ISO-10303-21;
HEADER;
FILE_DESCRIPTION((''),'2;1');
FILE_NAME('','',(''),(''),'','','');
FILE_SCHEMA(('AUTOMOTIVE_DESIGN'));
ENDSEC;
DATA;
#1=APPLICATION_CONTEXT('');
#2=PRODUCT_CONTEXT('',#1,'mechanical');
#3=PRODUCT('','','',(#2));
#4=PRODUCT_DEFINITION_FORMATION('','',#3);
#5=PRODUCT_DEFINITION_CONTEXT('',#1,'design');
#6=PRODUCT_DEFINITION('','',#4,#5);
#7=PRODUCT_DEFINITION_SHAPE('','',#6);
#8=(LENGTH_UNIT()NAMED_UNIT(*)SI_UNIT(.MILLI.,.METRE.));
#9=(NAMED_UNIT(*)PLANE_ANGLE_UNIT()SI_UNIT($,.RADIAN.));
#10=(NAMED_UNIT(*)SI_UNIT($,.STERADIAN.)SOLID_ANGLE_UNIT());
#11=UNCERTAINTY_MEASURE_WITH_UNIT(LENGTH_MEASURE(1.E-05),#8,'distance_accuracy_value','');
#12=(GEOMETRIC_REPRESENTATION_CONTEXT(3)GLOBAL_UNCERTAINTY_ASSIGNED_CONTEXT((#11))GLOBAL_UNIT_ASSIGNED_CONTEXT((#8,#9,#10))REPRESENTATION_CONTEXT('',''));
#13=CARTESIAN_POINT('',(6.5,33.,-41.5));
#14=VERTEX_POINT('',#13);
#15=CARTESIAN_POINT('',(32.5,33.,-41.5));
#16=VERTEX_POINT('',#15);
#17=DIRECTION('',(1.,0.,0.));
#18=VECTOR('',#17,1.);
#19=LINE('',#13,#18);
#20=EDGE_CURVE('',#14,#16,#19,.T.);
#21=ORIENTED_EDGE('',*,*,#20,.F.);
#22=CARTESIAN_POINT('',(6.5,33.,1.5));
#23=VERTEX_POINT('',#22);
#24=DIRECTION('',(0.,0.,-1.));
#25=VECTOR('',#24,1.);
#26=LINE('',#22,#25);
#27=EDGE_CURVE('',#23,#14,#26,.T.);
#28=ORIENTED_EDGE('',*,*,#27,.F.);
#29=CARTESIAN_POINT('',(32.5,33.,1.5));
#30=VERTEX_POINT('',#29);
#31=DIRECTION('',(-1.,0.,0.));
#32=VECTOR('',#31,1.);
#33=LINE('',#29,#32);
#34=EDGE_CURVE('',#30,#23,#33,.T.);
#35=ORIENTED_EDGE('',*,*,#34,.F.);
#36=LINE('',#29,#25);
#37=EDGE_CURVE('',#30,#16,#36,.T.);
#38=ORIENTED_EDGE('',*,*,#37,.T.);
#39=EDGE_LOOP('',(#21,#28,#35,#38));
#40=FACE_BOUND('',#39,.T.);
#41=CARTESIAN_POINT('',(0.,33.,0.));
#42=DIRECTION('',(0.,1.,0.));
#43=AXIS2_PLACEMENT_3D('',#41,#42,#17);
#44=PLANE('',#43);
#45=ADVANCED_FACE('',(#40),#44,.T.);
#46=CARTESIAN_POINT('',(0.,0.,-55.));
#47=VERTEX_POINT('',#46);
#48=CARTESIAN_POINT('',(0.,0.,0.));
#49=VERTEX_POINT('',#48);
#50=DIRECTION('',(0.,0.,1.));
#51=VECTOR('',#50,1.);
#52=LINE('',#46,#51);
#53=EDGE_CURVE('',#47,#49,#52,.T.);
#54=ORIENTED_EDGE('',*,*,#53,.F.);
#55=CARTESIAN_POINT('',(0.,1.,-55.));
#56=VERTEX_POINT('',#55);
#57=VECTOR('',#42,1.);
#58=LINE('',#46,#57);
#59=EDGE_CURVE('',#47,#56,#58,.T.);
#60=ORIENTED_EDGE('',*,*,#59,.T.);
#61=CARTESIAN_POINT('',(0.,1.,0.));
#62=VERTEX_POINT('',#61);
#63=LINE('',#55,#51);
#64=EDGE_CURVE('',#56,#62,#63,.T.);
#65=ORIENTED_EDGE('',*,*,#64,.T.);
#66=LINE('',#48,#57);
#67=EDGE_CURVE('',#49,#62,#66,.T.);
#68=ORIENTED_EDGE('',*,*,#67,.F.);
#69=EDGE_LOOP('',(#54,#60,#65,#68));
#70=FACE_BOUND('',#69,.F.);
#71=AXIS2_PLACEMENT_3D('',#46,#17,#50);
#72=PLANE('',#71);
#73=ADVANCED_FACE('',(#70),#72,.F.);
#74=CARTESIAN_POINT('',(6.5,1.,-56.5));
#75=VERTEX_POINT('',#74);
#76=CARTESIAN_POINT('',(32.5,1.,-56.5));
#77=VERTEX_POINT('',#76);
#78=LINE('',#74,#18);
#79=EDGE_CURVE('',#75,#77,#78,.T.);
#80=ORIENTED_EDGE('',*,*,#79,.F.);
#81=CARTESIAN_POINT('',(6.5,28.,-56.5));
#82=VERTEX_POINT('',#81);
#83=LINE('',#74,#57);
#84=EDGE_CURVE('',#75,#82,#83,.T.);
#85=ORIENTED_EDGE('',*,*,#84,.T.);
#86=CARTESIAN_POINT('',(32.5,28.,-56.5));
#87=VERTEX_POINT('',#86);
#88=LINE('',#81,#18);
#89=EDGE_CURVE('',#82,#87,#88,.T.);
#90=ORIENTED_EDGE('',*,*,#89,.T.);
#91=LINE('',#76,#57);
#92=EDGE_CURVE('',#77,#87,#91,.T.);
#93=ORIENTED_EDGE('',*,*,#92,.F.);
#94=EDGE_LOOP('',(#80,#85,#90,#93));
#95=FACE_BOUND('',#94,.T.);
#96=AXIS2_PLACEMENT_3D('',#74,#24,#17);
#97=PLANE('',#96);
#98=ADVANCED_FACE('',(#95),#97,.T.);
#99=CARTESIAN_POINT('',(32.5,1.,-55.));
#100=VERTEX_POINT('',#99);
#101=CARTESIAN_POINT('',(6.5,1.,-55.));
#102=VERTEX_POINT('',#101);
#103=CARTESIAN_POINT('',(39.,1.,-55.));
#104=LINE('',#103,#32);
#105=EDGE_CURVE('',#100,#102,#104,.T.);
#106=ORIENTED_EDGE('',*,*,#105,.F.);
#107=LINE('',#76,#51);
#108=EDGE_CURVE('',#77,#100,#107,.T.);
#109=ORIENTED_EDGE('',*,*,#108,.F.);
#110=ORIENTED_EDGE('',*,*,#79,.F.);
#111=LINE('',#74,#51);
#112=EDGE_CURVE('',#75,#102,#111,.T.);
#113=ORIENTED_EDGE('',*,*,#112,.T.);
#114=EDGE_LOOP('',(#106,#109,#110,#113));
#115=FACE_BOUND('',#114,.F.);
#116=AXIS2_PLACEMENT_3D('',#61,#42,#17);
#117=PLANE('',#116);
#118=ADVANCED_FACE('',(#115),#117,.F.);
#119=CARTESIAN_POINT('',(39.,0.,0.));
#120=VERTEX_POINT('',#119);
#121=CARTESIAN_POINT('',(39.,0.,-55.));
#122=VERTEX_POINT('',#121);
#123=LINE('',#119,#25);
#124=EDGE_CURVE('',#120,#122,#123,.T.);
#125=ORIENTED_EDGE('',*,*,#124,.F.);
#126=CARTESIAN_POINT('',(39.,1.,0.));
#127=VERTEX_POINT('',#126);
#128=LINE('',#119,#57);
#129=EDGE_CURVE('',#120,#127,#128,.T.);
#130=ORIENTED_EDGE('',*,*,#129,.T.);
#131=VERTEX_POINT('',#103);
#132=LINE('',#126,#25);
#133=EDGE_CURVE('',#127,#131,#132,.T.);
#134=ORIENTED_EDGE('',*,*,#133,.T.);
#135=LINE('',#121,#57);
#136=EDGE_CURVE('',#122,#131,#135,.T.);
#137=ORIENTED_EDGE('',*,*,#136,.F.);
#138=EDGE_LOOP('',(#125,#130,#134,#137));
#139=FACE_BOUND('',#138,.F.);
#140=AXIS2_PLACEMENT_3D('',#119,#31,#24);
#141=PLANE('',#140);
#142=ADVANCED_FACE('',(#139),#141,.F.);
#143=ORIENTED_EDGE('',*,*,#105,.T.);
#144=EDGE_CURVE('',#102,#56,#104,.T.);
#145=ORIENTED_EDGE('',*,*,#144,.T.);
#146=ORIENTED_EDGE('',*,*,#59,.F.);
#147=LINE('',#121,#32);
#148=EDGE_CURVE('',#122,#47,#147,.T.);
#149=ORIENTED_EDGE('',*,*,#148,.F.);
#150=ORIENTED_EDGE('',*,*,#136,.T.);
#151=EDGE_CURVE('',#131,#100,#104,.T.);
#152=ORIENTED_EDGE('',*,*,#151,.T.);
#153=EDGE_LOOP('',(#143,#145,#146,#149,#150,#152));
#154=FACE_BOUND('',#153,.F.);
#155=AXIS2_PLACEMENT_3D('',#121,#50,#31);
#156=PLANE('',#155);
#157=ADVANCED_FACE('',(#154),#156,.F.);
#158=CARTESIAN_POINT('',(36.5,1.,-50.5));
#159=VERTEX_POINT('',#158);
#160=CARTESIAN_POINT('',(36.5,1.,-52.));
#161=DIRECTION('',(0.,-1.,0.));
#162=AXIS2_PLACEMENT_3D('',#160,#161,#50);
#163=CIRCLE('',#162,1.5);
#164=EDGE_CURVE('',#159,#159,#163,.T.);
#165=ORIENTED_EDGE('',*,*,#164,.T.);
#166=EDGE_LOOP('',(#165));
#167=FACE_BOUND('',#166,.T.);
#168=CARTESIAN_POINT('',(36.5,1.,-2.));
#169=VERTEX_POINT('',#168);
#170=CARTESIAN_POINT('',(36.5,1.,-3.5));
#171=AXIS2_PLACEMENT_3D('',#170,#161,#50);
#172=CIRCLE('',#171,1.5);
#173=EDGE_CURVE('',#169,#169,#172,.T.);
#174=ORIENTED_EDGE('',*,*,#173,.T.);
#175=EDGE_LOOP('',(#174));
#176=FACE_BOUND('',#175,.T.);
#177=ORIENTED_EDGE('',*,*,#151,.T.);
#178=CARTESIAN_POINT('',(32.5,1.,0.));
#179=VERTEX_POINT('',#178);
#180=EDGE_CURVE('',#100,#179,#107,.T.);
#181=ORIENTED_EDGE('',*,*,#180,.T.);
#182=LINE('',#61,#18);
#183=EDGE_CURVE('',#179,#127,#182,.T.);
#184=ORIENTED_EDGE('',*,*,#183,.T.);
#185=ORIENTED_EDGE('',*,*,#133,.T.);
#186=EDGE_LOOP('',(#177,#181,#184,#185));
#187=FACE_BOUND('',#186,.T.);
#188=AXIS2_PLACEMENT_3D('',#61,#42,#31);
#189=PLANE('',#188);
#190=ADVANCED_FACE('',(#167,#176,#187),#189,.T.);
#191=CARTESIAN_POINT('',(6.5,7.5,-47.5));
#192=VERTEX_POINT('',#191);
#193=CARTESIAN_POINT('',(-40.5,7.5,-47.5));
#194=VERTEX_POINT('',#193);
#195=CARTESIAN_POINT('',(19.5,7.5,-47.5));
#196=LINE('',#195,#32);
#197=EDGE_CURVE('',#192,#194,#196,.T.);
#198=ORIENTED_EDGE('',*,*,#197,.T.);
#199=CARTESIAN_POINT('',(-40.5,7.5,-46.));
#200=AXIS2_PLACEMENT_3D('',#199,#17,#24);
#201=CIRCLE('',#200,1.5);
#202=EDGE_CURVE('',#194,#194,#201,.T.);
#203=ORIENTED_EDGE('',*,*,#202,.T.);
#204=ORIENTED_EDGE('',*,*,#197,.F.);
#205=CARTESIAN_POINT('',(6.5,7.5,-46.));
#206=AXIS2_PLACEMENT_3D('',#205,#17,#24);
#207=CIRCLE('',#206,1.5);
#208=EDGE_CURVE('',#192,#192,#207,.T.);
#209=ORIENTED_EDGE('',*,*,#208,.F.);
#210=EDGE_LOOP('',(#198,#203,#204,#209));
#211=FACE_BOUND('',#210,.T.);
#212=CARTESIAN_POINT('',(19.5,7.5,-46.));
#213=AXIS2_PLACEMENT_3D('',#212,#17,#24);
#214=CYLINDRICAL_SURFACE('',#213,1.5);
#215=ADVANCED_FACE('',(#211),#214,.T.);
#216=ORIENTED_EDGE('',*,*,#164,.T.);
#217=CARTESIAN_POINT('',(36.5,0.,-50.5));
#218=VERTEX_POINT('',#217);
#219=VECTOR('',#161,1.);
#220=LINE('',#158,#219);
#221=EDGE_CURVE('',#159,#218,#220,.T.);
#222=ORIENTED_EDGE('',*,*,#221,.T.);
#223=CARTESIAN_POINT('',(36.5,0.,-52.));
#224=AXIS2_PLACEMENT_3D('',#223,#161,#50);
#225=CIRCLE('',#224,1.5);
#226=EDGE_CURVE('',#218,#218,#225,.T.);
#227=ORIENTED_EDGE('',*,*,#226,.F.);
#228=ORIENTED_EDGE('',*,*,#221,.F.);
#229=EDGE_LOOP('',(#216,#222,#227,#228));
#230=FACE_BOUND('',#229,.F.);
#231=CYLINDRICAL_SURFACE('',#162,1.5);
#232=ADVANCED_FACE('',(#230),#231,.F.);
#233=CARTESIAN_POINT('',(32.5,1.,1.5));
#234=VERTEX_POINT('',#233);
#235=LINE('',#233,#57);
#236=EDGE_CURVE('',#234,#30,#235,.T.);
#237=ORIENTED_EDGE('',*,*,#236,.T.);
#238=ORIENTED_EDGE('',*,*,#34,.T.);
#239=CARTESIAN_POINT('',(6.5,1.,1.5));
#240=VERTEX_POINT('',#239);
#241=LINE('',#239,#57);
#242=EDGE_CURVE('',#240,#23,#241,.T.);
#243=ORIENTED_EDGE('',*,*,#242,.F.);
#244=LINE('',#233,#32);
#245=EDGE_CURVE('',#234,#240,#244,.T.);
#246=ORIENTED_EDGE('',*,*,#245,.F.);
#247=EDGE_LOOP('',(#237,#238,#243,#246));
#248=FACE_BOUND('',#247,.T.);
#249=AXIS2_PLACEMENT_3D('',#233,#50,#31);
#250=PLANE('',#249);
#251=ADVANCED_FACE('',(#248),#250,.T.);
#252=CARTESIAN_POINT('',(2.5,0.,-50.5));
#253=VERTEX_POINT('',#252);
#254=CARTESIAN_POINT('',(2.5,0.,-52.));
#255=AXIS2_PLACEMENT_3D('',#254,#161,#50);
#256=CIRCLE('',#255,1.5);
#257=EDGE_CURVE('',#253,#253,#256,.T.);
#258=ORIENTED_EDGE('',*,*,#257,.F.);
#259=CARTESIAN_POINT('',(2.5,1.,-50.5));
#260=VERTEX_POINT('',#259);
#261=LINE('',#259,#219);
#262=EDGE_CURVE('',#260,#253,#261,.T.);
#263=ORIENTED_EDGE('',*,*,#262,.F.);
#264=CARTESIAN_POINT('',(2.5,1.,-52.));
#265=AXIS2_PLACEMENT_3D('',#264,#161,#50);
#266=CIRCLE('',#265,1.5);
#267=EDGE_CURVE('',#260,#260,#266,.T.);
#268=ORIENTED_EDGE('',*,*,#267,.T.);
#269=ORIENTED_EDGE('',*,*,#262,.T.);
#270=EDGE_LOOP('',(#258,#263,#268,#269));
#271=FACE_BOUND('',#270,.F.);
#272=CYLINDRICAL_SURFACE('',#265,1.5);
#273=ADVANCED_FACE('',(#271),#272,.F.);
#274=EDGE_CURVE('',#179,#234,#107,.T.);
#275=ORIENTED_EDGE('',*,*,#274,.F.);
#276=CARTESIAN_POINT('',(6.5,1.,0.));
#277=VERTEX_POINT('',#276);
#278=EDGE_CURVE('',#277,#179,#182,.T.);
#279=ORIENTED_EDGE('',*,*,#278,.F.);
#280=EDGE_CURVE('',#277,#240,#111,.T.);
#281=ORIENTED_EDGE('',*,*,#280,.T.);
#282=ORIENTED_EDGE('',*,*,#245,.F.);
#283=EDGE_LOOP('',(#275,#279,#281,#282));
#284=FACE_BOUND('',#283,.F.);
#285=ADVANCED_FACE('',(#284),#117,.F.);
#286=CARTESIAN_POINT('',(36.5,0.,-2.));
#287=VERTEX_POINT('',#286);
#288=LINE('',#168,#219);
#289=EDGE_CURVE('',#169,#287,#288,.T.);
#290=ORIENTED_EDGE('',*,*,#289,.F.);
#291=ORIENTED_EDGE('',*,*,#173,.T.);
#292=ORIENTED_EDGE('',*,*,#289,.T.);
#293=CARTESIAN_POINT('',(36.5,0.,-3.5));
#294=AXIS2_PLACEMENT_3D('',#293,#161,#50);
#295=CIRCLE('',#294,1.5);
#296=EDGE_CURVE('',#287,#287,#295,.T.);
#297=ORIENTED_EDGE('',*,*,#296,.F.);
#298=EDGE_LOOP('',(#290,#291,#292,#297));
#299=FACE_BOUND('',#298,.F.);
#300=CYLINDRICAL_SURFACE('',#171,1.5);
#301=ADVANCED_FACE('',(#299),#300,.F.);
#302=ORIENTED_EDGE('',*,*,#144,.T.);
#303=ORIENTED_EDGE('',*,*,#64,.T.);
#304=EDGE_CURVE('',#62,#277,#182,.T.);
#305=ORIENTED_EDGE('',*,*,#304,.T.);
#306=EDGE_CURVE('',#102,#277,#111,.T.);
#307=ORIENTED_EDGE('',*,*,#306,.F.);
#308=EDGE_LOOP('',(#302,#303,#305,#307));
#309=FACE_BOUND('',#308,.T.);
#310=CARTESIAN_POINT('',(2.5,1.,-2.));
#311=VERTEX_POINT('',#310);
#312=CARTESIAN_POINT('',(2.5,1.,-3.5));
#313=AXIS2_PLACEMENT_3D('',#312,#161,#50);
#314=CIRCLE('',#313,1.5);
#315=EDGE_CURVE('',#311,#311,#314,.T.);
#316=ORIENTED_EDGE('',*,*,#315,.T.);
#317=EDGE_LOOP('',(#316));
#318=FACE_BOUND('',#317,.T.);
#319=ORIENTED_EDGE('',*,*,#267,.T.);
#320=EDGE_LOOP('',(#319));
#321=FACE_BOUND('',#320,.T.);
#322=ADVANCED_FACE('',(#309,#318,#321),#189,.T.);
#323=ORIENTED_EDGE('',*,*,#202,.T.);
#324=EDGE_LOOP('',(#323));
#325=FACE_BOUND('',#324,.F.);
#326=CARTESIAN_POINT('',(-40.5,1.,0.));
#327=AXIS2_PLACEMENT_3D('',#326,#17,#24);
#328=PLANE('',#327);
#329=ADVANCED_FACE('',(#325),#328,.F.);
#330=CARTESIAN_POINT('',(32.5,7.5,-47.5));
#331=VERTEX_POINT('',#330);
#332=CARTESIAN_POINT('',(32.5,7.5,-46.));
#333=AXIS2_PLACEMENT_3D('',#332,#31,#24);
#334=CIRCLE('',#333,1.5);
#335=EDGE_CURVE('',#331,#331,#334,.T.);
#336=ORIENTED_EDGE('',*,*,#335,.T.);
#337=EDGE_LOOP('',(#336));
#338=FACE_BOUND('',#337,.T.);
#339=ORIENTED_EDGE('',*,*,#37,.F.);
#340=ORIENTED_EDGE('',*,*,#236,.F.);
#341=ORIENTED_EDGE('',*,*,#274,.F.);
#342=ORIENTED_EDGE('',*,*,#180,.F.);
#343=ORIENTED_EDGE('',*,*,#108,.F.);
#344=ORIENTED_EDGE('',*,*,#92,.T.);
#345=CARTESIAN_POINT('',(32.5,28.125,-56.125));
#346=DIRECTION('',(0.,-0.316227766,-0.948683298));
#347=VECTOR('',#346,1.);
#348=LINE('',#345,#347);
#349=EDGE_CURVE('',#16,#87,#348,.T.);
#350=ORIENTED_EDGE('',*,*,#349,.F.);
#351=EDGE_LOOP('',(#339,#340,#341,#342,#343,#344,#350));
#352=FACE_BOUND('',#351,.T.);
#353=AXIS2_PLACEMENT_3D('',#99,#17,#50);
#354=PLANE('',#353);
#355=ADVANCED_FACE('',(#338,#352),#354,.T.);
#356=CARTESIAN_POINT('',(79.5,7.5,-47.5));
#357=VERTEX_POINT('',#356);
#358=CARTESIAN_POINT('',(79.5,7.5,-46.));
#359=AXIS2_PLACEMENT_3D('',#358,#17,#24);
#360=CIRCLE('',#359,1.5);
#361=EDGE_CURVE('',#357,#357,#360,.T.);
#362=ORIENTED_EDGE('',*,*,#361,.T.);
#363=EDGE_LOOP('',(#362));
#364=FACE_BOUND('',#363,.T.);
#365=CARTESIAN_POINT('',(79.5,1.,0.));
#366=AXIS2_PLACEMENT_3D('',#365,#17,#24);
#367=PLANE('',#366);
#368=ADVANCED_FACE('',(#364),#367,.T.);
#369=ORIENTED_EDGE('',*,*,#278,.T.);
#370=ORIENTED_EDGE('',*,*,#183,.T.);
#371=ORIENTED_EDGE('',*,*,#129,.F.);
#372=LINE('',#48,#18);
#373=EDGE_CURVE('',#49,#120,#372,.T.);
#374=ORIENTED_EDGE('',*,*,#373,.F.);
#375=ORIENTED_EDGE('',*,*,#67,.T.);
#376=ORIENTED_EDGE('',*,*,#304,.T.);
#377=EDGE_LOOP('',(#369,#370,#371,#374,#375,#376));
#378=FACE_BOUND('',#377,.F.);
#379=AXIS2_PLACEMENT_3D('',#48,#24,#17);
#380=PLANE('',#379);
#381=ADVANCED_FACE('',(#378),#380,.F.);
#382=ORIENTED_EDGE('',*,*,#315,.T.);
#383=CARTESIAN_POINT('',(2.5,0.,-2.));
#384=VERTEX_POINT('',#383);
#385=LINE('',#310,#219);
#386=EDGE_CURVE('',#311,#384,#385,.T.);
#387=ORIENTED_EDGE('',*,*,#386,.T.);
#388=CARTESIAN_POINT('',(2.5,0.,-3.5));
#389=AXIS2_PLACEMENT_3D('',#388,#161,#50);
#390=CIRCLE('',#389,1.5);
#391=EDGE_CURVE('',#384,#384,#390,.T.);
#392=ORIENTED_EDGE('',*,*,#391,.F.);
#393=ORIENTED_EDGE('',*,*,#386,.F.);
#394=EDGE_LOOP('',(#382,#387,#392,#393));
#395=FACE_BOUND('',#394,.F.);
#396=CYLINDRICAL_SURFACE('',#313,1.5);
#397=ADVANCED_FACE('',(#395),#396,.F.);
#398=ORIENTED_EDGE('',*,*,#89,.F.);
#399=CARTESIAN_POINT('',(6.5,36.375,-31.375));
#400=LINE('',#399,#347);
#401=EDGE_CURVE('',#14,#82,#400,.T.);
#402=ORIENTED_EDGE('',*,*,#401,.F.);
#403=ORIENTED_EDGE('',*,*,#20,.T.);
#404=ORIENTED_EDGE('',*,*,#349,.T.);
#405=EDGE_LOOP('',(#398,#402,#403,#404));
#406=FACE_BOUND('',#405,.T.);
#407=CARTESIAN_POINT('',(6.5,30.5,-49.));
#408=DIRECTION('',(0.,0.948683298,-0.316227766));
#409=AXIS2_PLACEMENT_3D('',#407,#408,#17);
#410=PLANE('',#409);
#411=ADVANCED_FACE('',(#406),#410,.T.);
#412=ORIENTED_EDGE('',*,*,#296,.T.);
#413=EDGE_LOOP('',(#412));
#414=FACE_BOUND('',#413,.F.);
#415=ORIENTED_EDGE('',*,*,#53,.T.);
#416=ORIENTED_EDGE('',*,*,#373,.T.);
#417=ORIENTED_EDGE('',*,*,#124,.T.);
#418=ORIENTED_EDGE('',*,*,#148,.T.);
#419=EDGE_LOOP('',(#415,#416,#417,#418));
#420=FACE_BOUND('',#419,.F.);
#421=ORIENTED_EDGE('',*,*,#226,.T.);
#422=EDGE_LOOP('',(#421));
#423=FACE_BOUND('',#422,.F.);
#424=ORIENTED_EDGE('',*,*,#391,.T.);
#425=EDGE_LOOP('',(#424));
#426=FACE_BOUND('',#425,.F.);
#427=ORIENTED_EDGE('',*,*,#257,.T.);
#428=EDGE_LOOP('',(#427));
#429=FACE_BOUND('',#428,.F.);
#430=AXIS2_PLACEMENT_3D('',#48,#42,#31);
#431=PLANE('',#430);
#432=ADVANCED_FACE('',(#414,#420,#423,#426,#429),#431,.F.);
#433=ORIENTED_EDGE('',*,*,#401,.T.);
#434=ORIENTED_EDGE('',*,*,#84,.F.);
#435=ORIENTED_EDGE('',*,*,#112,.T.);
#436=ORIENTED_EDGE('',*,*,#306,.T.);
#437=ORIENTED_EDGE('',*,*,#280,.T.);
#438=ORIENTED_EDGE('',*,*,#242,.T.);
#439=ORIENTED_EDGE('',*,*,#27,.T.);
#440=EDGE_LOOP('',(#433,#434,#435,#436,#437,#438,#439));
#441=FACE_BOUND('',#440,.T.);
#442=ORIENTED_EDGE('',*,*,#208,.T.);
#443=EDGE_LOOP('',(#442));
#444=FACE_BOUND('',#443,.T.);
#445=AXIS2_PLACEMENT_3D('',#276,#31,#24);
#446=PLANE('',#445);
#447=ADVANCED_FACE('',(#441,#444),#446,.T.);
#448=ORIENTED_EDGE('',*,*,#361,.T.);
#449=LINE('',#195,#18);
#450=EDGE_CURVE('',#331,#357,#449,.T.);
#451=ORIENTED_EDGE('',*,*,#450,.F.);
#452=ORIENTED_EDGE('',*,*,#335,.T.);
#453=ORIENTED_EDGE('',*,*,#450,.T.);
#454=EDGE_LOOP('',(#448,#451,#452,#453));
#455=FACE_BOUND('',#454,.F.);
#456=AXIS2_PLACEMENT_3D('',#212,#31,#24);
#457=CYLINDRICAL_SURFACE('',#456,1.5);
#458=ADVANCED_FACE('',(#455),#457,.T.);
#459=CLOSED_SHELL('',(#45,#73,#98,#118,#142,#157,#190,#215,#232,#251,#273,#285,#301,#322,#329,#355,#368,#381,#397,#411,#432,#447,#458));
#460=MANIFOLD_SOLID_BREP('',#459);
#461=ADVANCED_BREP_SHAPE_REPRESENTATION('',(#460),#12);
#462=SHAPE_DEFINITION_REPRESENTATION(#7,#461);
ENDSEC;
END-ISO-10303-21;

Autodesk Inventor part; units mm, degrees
ref_plane "YZ Plane" through (0, 0, 0) normal (1, 0, 0) x (0, 1, 0)
ref_plane "XZ Plane" through (0, 0, 0) normal (0, 1, 0) x (-1, 0, 0)
sketch "Sketch1" plane through (0, 0, 0) normal (0, 1, 0) x (-1, 0, 0)
  line L0 (0, 0) -> (-39, 0)
  line L1 (-39, 0) -> (-39, -55)
  line L2 (-39, -55) -> (0, -55)
  line L3 (0, -55) -> (0, 0)
  dimension "d228" = 39
  dimension "d229" = 55
extrude "Extrusion1" add sketch "Sketch1" along normal blind 1
sketch "Sketch2" plane through (0, 1, 0) normal (0, 1, 0) x (1, 0, 0)
  circle A0 centre (2.5, 3.5) radius 1.5
  circle A1 centre (36.5, 3.5) radius 1.5
  circle A2 centre (2.5, 52) radius 1.5
  circle A3 centre (36.5, 52) radius 1.5
  line L0 (0, 55) -> (0, 0) projected
  line L1 (39, 55) -> (0, 55) projected
  line L2 (39, 0) -> (39, 55) projected
  dimension "d232" = 3
  dimension "d236" = 3.5
  dimension "d237" = 2.5
  dimension "d238" = 3
  dimension "d239" = 2.5
hole "Hole1" at (2.5, 1, -3.5) at (2.5, 1, -52) at (36.5, 1, -52) at (36.5, 1, -3.5) direction (0, -1, 0) diameter 3 end through all
sketch "Sketch3" plane through (0, 1, 0) normal (0, 1, 0) x (1, 0, 0)
  line L0 (0, 0) -> (39, 0) projected
  line L1 (39, 55) -> (0, 55) projected
  line L2 (6.5, 56.5) -> (32.5, 56.5)
  line L3 (32.5, 56.5) -> (32.5, -1.5)
  line L4 (32.5, -1.5) -> (6.5, -1.5)
  line L5 (6.5, -1.5) -> (6.5, 56.5)
  dimension "d257" = 26
  dimension "d258" = 58
  dimension "d259" = 6.5
  dimension "d260" = 1.5
extrude "Extrusion2" add sketch "Sketch3" along normal blind 32
chamfer "Chamfer1" distance 15 distance2 5 1 edges at (19.5, 33, -56.5) measured on face at (15.1667, 33, -37.1667)
ref_plane "Work Plane" through (19.5, 1, 0) normal (1, 0, 0) x (0, 0, -1)
sketch "Sketch4" plane through (19.5, 1, 0) normal (1, 0, 0) x (0, 0, -1)
  circle A0 centre (46, 6.5) radius 1.5
  line L0 (56.5, 0) -> (56.5, 27) projected
  line L1 (0, 0) -> (55, 0) projected
  point P0 (0, -1)
  dimension "d272" = 3
  dimension "d273" = 10.5
  dimension "d274" = 6.5
extrude "Extrusion3" add sketch "Sketch4" along normal mid plane 120
properties part number "Langbektang houder"
